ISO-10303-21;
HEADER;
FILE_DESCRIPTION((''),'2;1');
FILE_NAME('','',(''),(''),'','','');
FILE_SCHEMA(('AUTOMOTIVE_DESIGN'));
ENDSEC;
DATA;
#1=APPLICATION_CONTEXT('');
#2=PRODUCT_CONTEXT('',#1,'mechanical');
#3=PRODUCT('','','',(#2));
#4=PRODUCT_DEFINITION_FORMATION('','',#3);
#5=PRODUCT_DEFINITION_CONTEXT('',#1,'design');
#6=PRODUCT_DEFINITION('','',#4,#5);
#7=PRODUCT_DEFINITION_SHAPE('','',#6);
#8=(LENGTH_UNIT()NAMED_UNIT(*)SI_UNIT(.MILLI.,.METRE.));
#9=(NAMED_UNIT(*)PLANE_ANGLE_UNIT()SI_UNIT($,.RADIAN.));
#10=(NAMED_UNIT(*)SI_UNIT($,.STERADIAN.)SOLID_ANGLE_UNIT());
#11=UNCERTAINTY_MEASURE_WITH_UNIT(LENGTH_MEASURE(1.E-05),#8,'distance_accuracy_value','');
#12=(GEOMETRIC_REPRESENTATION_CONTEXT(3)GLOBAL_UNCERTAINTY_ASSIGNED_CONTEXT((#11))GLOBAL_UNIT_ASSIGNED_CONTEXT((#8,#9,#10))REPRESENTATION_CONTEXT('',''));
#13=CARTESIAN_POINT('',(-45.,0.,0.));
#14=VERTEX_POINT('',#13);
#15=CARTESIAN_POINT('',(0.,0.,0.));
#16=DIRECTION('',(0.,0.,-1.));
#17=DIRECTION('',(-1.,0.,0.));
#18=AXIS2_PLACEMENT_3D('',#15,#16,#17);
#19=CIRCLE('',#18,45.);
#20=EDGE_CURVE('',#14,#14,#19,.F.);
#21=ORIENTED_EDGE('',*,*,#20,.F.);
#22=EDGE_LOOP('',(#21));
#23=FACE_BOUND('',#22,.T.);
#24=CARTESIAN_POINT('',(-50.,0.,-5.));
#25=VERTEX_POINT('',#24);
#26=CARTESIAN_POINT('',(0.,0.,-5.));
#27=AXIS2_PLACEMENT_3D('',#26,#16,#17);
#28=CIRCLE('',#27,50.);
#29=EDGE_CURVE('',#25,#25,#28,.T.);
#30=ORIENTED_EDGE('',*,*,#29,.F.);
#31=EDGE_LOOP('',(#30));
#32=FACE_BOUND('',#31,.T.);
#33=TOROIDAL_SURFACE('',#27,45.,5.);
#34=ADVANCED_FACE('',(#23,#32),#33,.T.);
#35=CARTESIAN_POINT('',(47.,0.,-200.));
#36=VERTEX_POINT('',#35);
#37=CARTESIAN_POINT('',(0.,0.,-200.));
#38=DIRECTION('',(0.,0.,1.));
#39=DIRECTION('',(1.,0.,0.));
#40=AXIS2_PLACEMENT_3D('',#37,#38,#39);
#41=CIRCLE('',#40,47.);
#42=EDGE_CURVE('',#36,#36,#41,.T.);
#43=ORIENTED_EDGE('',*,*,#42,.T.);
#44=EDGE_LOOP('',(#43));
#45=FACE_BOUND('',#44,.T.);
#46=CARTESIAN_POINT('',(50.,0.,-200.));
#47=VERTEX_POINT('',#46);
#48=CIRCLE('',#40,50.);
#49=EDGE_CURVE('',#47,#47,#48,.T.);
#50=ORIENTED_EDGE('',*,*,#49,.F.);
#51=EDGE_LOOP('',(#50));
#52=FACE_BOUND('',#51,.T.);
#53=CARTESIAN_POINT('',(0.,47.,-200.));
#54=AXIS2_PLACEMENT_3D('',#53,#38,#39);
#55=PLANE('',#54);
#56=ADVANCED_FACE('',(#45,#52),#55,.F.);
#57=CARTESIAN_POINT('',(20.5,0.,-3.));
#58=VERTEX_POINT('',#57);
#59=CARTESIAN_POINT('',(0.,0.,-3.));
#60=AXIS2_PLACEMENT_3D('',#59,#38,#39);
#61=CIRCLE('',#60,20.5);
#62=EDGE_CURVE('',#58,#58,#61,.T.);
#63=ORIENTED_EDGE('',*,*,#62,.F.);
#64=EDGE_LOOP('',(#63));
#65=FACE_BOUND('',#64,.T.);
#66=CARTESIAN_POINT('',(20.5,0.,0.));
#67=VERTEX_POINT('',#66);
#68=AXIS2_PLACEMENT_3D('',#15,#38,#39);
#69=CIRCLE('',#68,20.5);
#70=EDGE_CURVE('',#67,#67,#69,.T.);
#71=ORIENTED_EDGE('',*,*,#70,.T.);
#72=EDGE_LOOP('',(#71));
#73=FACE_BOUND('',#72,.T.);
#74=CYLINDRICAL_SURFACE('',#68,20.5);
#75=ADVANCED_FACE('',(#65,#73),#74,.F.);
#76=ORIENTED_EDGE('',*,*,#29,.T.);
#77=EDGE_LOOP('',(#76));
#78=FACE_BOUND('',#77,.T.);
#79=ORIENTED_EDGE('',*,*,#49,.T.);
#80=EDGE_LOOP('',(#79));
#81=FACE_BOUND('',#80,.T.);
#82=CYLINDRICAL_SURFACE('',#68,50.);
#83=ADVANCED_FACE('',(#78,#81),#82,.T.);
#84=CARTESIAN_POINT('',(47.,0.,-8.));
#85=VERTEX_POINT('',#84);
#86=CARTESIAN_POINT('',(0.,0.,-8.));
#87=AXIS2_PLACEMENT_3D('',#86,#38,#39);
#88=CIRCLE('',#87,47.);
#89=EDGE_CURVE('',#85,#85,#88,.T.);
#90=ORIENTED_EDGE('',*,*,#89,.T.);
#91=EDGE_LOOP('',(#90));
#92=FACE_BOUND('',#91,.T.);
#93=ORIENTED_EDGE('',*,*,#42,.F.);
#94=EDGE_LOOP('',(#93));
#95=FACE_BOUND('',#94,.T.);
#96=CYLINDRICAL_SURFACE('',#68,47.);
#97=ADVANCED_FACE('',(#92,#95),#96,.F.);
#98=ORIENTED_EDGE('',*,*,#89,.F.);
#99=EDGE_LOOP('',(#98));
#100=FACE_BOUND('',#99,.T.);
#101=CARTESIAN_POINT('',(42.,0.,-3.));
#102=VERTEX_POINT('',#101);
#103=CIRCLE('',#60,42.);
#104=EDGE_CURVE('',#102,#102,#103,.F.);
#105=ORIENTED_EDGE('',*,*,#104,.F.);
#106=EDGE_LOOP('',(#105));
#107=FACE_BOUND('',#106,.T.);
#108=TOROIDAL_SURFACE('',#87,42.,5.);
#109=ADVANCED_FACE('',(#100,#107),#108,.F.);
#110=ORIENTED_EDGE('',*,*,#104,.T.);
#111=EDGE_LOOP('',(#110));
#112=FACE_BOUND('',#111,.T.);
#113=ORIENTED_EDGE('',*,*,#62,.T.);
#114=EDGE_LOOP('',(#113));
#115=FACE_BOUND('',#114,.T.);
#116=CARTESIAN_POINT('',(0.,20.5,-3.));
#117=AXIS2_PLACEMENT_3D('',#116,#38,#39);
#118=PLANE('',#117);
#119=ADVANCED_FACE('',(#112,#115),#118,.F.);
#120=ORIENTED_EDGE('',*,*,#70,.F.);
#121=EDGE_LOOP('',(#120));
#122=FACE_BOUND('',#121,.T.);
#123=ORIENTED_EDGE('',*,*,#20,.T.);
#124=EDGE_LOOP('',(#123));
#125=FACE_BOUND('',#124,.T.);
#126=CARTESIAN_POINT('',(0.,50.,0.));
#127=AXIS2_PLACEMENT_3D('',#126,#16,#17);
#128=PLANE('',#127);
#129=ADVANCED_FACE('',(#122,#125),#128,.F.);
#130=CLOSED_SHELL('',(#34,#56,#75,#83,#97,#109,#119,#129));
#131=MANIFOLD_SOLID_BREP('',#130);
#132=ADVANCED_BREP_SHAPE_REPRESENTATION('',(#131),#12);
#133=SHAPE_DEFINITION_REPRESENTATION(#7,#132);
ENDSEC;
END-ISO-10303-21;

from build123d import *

# Parameters (mm, degrees)
FILLET_1_R = 5


with BuildPart() as part:
    # Эскиз1 → Повернуть1 (revolve)
    with BuildSketch(Plane(origin=(0, 0, 0), x_dir=(0, 0, -1), z_dir=(1, 0, 0))):
        Polygon((0, 50), (0, 20.5), (3, 20.5), (3, 47), (200, 47), (200, 50), align=None)
    revolve(axis=Axis((0, 0, 0), (0, 0, -1)))

    # Скругление1
    fillet_1_edges = [part.edges().sort_by_distance(p)[0] for p in [
        (0, -47, -3),
        (0, -50, 0),
    ]]
    fillet(fillet_1_edges, radius=FILLET_1_R)


solid = part.part
